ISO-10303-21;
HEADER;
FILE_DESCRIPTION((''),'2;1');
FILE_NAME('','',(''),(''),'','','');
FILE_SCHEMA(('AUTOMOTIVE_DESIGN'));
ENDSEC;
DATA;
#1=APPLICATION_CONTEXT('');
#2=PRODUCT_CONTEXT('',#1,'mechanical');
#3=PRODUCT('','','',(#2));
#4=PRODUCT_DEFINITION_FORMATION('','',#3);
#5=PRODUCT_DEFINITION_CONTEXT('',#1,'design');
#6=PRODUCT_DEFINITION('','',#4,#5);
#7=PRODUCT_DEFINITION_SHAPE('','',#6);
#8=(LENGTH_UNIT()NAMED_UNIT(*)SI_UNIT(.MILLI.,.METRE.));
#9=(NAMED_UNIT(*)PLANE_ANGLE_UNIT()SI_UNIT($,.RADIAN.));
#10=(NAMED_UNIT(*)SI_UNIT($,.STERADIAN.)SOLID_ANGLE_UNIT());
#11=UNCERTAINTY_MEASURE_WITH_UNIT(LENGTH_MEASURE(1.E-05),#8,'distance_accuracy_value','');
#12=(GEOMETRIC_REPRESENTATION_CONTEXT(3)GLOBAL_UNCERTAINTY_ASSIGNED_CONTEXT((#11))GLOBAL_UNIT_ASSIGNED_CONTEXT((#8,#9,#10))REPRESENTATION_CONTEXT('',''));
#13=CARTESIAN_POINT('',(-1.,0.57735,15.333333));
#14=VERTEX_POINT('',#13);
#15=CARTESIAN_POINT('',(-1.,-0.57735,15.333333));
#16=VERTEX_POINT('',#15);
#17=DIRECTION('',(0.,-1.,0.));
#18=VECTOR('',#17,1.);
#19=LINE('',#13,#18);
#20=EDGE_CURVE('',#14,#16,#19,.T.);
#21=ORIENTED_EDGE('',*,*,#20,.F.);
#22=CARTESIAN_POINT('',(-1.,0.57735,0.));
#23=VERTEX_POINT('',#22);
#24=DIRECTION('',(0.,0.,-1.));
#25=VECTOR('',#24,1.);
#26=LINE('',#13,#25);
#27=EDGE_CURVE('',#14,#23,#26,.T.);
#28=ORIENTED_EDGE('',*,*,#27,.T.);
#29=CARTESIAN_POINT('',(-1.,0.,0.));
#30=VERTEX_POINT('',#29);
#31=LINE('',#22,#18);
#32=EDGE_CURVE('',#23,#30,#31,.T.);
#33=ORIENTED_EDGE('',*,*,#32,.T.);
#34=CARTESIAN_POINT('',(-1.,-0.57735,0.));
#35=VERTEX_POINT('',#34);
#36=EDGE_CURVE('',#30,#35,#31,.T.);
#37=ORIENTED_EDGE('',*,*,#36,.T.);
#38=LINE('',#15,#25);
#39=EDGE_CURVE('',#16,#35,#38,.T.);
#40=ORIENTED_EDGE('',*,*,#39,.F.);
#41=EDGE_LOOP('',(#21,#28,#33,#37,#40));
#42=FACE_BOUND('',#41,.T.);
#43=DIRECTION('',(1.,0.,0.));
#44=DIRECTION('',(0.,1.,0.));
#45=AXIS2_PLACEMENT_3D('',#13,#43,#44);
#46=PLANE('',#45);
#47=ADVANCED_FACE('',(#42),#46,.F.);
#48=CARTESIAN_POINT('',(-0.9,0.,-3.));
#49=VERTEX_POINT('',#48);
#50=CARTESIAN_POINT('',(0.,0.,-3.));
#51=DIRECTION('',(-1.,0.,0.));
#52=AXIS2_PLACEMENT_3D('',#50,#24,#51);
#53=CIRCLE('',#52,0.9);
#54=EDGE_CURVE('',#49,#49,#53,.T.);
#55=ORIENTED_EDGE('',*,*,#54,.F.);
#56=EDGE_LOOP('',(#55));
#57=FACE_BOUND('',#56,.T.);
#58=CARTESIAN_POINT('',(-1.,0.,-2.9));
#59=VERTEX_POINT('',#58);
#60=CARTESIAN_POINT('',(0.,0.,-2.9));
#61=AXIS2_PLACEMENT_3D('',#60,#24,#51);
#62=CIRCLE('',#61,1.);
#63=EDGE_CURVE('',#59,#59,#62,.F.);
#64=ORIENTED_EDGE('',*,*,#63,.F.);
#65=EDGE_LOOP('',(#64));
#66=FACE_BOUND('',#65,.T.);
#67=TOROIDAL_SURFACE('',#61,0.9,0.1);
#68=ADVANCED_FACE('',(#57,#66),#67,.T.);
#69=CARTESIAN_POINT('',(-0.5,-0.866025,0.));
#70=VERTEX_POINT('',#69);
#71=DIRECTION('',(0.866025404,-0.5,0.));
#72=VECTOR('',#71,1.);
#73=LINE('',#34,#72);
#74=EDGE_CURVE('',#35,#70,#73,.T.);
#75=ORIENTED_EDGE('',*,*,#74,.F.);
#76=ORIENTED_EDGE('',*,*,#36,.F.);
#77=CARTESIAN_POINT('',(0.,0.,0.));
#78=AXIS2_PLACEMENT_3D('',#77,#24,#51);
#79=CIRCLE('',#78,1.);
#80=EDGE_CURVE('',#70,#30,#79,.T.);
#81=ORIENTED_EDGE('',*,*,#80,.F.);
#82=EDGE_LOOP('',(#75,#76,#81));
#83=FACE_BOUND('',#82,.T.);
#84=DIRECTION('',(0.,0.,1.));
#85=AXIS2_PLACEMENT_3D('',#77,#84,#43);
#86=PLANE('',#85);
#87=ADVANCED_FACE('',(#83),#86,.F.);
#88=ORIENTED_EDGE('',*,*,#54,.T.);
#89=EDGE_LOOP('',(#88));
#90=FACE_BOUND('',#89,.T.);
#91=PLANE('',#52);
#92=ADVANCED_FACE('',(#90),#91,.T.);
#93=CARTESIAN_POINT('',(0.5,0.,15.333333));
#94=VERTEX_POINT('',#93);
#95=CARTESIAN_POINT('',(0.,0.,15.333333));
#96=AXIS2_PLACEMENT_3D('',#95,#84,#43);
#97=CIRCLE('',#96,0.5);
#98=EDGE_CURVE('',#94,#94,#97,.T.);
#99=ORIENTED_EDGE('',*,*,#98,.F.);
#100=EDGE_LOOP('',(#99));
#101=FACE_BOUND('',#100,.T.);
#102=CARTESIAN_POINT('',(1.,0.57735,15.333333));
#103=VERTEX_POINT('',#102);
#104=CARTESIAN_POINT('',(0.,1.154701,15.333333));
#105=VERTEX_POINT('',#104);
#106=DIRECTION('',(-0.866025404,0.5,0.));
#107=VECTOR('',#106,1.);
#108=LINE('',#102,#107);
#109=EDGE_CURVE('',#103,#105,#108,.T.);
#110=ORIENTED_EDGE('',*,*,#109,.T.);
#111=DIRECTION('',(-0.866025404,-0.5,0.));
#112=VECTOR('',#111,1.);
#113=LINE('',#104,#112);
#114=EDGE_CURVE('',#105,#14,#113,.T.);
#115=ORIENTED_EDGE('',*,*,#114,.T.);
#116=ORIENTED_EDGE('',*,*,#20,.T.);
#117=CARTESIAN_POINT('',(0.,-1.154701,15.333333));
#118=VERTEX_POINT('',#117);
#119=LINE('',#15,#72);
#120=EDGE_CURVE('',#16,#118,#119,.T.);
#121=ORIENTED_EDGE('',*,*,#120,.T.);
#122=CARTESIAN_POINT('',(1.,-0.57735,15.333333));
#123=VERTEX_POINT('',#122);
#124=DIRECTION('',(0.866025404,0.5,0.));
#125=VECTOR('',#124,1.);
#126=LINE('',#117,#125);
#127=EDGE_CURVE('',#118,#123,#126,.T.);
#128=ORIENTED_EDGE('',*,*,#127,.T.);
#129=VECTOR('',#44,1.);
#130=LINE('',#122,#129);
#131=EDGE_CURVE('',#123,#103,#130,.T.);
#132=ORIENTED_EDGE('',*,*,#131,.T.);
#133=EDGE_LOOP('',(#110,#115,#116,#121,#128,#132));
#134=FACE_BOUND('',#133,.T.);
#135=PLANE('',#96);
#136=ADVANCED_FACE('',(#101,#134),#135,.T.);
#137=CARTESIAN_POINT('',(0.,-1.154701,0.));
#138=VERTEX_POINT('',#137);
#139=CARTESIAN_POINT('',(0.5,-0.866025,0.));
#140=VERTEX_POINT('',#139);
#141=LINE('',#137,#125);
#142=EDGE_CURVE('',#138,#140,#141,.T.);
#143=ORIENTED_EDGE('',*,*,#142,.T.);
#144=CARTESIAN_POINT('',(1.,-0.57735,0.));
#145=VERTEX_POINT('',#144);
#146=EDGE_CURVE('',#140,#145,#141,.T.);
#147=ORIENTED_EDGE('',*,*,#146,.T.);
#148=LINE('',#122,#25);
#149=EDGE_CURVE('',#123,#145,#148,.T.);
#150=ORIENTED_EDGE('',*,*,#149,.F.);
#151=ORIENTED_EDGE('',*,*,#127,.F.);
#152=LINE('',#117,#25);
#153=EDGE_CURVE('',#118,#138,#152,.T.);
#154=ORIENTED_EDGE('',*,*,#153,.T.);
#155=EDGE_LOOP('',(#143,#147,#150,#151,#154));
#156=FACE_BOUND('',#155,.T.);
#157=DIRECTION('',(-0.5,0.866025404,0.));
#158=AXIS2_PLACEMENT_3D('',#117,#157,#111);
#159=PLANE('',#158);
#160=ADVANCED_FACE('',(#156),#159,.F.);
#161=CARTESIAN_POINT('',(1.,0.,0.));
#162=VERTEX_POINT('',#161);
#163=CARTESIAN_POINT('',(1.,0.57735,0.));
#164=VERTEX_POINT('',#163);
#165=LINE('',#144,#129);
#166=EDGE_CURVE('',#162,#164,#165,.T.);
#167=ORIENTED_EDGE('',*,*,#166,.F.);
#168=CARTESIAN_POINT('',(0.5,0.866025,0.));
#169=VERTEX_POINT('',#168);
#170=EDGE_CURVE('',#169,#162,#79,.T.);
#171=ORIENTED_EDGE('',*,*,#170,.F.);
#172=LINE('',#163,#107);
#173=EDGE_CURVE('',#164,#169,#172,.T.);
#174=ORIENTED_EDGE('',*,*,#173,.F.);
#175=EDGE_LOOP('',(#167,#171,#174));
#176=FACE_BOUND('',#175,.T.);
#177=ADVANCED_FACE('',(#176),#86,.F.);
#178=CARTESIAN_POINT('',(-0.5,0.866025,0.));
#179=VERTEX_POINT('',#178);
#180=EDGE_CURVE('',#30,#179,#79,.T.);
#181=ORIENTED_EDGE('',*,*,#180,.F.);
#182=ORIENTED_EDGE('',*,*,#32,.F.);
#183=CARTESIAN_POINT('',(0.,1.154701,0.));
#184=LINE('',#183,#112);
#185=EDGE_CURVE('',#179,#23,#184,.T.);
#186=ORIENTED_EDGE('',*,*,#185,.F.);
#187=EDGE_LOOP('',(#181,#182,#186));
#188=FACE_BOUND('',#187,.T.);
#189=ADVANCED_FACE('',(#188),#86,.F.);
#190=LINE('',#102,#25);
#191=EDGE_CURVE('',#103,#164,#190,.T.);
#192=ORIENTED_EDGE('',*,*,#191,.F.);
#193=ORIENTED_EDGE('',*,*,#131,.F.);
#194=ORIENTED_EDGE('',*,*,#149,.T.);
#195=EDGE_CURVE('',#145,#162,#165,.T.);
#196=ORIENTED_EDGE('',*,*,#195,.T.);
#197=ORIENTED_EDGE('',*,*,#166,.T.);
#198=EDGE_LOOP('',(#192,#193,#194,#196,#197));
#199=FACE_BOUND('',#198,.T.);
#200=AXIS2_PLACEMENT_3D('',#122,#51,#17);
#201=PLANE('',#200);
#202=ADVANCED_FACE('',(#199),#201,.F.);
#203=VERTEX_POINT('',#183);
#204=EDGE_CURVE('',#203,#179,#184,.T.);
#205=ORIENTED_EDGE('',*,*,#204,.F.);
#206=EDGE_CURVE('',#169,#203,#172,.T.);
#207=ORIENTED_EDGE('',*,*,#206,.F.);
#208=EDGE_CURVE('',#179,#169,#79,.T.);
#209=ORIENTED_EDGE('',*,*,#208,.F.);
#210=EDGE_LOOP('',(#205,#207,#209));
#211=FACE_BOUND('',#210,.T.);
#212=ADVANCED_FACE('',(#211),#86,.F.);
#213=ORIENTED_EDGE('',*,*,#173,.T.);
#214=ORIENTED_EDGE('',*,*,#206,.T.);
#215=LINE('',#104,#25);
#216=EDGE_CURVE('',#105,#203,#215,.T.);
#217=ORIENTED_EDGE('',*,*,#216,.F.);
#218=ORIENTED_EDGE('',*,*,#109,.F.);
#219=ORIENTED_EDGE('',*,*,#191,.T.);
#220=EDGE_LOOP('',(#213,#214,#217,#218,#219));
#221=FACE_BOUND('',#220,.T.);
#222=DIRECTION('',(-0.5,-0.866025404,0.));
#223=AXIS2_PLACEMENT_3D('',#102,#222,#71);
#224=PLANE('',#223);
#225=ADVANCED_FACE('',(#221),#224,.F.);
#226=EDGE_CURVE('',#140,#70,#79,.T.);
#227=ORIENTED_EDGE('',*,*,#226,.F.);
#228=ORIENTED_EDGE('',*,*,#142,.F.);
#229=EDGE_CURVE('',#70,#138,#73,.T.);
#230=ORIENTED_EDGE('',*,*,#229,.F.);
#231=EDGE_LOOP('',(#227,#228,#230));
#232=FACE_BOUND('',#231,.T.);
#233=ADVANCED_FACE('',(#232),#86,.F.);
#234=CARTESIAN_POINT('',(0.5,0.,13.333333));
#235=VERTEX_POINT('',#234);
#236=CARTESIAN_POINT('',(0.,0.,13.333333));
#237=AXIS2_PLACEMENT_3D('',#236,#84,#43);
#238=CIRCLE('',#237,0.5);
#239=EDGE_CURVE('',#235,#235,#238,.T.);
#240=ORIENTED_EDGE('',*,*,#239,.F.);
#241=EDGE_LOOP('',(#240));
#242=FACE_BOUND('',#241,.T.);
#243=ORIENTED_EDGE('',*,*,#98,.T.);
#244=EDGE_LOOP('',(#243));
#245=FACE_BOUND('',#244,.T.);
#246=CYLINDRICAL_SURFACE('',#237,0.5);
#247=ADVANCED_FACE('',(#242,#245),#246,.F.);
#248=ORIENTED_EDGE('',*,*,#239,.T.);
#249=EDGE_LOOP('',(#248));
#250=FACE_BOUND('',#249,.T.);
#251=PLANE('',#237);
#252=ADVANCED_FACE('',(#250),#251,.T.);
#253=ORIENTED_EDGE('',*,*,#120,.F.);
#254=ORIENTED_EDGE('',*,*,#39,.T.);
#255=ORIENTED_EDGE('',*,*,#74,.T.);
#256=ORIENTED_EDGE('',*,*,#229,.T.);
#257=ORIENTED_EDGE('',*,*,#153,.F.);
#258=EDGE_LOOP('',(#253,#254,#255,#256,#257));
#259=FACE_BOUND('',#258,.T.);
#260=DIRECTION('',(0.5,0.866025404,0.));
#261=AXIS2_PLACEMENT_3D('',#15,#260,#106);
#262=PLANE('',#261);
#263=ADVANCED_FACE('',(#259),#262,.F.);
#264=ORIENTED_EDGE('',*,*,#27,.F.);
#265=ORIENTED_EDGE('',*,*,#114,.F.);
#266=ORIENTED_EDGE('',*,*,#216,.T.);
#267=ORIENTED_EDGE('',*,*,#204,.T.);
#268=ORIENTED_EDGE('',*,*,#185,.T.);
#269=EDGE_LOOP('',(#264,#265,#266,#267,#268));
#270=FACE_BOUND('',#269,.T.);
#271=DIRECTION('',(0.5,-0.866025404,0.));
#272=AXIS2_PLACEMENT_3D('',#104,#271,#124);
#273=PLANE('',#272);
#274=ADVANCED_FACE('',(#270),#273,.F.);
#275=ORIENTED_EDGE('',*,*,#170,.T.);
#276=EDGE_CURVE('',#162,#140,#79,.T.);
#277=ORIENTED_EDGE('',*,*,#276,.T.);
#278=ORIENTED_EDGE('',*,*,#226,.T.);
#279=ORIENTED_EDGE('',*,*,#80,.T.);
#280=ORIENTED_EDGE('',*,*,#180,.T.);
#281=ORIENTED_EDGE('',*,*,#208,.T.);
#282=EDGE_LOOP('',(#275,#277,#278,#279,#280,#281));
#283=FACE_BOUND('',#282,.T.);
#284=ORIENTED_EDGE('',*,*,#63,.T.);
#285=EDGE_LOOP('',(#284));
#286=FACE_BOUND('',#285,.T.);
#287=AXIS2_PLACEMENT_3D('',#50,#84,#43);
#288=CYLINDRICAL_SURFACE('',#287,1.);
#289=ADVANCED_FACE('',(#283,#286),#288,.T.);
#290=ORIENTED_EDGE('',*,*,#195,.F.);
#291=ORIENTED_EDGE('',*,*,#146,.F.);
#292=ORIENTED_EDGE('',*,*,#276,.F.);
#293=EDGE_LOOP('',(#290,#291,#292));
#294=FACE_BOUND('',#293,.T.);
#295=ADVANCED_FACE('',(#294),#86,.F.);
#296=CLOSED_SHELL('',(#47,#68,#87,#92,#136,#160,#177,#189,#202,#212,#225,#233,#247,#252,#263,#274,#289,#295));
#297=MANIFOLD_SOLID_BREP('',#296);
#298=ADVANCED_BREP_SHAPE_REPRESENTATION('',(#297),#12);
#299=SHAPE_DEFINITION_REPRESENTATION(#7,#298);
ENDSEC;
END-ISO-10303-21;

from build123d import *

# Parameters (mm, degrees)
BOSS_EXTRUDE1_DEPTH = 15.333333333
SKETCH2_R           = 0.5
CUT_EXTRUDE1_DEPTH  = 2
SKETCH3_R           = 1
BOSS_EXTRUDE2_DEPTH = 3
FILLET1_R           = 0.1


with BuildPart() as part:
    # Sketch1 → Boss-Extrude1 (new body)
    with BuildSketch(Plane.XY):
        Polygon((0, 1.154700538), (-1, 0.577350269), (-1, -0.577350269), (0, -1.154700538), (1, -0.577350269), (1, 0.577350269), align=None)
    extrude(amount=BOSS_EXTRUDE1_DEPTH)

    # Sketch2 → Cut-Extrude1 (cut)
    with BuildSketch(Plane.XY.offset(15.333333333)):
        Circle(SKETCH2_R)
    extrude(amount=-CUT_EXTRUDE1_DEPTH, mode=Mode.SUBTRACT)

    # Sketch3 → Boss-Extrude2 (add)
    with BuildSketch(Plane(origin=(0, 0, 0), x_dir=(-1, 0, 0), z_dir=(0, 0, -1))):
        Circle(SKETCH3_R)
    extrude(amount=BOSS_EXTRUDE2_DEPTH)

    # Fillet1
    fillet1_edges = [part.edges().sort_by_distance(p)[0] for p in [
        (1, 0, -3),
    ]]
    fillet(fillet1_edges, radius=FILLET1_R)


solid = part.part
